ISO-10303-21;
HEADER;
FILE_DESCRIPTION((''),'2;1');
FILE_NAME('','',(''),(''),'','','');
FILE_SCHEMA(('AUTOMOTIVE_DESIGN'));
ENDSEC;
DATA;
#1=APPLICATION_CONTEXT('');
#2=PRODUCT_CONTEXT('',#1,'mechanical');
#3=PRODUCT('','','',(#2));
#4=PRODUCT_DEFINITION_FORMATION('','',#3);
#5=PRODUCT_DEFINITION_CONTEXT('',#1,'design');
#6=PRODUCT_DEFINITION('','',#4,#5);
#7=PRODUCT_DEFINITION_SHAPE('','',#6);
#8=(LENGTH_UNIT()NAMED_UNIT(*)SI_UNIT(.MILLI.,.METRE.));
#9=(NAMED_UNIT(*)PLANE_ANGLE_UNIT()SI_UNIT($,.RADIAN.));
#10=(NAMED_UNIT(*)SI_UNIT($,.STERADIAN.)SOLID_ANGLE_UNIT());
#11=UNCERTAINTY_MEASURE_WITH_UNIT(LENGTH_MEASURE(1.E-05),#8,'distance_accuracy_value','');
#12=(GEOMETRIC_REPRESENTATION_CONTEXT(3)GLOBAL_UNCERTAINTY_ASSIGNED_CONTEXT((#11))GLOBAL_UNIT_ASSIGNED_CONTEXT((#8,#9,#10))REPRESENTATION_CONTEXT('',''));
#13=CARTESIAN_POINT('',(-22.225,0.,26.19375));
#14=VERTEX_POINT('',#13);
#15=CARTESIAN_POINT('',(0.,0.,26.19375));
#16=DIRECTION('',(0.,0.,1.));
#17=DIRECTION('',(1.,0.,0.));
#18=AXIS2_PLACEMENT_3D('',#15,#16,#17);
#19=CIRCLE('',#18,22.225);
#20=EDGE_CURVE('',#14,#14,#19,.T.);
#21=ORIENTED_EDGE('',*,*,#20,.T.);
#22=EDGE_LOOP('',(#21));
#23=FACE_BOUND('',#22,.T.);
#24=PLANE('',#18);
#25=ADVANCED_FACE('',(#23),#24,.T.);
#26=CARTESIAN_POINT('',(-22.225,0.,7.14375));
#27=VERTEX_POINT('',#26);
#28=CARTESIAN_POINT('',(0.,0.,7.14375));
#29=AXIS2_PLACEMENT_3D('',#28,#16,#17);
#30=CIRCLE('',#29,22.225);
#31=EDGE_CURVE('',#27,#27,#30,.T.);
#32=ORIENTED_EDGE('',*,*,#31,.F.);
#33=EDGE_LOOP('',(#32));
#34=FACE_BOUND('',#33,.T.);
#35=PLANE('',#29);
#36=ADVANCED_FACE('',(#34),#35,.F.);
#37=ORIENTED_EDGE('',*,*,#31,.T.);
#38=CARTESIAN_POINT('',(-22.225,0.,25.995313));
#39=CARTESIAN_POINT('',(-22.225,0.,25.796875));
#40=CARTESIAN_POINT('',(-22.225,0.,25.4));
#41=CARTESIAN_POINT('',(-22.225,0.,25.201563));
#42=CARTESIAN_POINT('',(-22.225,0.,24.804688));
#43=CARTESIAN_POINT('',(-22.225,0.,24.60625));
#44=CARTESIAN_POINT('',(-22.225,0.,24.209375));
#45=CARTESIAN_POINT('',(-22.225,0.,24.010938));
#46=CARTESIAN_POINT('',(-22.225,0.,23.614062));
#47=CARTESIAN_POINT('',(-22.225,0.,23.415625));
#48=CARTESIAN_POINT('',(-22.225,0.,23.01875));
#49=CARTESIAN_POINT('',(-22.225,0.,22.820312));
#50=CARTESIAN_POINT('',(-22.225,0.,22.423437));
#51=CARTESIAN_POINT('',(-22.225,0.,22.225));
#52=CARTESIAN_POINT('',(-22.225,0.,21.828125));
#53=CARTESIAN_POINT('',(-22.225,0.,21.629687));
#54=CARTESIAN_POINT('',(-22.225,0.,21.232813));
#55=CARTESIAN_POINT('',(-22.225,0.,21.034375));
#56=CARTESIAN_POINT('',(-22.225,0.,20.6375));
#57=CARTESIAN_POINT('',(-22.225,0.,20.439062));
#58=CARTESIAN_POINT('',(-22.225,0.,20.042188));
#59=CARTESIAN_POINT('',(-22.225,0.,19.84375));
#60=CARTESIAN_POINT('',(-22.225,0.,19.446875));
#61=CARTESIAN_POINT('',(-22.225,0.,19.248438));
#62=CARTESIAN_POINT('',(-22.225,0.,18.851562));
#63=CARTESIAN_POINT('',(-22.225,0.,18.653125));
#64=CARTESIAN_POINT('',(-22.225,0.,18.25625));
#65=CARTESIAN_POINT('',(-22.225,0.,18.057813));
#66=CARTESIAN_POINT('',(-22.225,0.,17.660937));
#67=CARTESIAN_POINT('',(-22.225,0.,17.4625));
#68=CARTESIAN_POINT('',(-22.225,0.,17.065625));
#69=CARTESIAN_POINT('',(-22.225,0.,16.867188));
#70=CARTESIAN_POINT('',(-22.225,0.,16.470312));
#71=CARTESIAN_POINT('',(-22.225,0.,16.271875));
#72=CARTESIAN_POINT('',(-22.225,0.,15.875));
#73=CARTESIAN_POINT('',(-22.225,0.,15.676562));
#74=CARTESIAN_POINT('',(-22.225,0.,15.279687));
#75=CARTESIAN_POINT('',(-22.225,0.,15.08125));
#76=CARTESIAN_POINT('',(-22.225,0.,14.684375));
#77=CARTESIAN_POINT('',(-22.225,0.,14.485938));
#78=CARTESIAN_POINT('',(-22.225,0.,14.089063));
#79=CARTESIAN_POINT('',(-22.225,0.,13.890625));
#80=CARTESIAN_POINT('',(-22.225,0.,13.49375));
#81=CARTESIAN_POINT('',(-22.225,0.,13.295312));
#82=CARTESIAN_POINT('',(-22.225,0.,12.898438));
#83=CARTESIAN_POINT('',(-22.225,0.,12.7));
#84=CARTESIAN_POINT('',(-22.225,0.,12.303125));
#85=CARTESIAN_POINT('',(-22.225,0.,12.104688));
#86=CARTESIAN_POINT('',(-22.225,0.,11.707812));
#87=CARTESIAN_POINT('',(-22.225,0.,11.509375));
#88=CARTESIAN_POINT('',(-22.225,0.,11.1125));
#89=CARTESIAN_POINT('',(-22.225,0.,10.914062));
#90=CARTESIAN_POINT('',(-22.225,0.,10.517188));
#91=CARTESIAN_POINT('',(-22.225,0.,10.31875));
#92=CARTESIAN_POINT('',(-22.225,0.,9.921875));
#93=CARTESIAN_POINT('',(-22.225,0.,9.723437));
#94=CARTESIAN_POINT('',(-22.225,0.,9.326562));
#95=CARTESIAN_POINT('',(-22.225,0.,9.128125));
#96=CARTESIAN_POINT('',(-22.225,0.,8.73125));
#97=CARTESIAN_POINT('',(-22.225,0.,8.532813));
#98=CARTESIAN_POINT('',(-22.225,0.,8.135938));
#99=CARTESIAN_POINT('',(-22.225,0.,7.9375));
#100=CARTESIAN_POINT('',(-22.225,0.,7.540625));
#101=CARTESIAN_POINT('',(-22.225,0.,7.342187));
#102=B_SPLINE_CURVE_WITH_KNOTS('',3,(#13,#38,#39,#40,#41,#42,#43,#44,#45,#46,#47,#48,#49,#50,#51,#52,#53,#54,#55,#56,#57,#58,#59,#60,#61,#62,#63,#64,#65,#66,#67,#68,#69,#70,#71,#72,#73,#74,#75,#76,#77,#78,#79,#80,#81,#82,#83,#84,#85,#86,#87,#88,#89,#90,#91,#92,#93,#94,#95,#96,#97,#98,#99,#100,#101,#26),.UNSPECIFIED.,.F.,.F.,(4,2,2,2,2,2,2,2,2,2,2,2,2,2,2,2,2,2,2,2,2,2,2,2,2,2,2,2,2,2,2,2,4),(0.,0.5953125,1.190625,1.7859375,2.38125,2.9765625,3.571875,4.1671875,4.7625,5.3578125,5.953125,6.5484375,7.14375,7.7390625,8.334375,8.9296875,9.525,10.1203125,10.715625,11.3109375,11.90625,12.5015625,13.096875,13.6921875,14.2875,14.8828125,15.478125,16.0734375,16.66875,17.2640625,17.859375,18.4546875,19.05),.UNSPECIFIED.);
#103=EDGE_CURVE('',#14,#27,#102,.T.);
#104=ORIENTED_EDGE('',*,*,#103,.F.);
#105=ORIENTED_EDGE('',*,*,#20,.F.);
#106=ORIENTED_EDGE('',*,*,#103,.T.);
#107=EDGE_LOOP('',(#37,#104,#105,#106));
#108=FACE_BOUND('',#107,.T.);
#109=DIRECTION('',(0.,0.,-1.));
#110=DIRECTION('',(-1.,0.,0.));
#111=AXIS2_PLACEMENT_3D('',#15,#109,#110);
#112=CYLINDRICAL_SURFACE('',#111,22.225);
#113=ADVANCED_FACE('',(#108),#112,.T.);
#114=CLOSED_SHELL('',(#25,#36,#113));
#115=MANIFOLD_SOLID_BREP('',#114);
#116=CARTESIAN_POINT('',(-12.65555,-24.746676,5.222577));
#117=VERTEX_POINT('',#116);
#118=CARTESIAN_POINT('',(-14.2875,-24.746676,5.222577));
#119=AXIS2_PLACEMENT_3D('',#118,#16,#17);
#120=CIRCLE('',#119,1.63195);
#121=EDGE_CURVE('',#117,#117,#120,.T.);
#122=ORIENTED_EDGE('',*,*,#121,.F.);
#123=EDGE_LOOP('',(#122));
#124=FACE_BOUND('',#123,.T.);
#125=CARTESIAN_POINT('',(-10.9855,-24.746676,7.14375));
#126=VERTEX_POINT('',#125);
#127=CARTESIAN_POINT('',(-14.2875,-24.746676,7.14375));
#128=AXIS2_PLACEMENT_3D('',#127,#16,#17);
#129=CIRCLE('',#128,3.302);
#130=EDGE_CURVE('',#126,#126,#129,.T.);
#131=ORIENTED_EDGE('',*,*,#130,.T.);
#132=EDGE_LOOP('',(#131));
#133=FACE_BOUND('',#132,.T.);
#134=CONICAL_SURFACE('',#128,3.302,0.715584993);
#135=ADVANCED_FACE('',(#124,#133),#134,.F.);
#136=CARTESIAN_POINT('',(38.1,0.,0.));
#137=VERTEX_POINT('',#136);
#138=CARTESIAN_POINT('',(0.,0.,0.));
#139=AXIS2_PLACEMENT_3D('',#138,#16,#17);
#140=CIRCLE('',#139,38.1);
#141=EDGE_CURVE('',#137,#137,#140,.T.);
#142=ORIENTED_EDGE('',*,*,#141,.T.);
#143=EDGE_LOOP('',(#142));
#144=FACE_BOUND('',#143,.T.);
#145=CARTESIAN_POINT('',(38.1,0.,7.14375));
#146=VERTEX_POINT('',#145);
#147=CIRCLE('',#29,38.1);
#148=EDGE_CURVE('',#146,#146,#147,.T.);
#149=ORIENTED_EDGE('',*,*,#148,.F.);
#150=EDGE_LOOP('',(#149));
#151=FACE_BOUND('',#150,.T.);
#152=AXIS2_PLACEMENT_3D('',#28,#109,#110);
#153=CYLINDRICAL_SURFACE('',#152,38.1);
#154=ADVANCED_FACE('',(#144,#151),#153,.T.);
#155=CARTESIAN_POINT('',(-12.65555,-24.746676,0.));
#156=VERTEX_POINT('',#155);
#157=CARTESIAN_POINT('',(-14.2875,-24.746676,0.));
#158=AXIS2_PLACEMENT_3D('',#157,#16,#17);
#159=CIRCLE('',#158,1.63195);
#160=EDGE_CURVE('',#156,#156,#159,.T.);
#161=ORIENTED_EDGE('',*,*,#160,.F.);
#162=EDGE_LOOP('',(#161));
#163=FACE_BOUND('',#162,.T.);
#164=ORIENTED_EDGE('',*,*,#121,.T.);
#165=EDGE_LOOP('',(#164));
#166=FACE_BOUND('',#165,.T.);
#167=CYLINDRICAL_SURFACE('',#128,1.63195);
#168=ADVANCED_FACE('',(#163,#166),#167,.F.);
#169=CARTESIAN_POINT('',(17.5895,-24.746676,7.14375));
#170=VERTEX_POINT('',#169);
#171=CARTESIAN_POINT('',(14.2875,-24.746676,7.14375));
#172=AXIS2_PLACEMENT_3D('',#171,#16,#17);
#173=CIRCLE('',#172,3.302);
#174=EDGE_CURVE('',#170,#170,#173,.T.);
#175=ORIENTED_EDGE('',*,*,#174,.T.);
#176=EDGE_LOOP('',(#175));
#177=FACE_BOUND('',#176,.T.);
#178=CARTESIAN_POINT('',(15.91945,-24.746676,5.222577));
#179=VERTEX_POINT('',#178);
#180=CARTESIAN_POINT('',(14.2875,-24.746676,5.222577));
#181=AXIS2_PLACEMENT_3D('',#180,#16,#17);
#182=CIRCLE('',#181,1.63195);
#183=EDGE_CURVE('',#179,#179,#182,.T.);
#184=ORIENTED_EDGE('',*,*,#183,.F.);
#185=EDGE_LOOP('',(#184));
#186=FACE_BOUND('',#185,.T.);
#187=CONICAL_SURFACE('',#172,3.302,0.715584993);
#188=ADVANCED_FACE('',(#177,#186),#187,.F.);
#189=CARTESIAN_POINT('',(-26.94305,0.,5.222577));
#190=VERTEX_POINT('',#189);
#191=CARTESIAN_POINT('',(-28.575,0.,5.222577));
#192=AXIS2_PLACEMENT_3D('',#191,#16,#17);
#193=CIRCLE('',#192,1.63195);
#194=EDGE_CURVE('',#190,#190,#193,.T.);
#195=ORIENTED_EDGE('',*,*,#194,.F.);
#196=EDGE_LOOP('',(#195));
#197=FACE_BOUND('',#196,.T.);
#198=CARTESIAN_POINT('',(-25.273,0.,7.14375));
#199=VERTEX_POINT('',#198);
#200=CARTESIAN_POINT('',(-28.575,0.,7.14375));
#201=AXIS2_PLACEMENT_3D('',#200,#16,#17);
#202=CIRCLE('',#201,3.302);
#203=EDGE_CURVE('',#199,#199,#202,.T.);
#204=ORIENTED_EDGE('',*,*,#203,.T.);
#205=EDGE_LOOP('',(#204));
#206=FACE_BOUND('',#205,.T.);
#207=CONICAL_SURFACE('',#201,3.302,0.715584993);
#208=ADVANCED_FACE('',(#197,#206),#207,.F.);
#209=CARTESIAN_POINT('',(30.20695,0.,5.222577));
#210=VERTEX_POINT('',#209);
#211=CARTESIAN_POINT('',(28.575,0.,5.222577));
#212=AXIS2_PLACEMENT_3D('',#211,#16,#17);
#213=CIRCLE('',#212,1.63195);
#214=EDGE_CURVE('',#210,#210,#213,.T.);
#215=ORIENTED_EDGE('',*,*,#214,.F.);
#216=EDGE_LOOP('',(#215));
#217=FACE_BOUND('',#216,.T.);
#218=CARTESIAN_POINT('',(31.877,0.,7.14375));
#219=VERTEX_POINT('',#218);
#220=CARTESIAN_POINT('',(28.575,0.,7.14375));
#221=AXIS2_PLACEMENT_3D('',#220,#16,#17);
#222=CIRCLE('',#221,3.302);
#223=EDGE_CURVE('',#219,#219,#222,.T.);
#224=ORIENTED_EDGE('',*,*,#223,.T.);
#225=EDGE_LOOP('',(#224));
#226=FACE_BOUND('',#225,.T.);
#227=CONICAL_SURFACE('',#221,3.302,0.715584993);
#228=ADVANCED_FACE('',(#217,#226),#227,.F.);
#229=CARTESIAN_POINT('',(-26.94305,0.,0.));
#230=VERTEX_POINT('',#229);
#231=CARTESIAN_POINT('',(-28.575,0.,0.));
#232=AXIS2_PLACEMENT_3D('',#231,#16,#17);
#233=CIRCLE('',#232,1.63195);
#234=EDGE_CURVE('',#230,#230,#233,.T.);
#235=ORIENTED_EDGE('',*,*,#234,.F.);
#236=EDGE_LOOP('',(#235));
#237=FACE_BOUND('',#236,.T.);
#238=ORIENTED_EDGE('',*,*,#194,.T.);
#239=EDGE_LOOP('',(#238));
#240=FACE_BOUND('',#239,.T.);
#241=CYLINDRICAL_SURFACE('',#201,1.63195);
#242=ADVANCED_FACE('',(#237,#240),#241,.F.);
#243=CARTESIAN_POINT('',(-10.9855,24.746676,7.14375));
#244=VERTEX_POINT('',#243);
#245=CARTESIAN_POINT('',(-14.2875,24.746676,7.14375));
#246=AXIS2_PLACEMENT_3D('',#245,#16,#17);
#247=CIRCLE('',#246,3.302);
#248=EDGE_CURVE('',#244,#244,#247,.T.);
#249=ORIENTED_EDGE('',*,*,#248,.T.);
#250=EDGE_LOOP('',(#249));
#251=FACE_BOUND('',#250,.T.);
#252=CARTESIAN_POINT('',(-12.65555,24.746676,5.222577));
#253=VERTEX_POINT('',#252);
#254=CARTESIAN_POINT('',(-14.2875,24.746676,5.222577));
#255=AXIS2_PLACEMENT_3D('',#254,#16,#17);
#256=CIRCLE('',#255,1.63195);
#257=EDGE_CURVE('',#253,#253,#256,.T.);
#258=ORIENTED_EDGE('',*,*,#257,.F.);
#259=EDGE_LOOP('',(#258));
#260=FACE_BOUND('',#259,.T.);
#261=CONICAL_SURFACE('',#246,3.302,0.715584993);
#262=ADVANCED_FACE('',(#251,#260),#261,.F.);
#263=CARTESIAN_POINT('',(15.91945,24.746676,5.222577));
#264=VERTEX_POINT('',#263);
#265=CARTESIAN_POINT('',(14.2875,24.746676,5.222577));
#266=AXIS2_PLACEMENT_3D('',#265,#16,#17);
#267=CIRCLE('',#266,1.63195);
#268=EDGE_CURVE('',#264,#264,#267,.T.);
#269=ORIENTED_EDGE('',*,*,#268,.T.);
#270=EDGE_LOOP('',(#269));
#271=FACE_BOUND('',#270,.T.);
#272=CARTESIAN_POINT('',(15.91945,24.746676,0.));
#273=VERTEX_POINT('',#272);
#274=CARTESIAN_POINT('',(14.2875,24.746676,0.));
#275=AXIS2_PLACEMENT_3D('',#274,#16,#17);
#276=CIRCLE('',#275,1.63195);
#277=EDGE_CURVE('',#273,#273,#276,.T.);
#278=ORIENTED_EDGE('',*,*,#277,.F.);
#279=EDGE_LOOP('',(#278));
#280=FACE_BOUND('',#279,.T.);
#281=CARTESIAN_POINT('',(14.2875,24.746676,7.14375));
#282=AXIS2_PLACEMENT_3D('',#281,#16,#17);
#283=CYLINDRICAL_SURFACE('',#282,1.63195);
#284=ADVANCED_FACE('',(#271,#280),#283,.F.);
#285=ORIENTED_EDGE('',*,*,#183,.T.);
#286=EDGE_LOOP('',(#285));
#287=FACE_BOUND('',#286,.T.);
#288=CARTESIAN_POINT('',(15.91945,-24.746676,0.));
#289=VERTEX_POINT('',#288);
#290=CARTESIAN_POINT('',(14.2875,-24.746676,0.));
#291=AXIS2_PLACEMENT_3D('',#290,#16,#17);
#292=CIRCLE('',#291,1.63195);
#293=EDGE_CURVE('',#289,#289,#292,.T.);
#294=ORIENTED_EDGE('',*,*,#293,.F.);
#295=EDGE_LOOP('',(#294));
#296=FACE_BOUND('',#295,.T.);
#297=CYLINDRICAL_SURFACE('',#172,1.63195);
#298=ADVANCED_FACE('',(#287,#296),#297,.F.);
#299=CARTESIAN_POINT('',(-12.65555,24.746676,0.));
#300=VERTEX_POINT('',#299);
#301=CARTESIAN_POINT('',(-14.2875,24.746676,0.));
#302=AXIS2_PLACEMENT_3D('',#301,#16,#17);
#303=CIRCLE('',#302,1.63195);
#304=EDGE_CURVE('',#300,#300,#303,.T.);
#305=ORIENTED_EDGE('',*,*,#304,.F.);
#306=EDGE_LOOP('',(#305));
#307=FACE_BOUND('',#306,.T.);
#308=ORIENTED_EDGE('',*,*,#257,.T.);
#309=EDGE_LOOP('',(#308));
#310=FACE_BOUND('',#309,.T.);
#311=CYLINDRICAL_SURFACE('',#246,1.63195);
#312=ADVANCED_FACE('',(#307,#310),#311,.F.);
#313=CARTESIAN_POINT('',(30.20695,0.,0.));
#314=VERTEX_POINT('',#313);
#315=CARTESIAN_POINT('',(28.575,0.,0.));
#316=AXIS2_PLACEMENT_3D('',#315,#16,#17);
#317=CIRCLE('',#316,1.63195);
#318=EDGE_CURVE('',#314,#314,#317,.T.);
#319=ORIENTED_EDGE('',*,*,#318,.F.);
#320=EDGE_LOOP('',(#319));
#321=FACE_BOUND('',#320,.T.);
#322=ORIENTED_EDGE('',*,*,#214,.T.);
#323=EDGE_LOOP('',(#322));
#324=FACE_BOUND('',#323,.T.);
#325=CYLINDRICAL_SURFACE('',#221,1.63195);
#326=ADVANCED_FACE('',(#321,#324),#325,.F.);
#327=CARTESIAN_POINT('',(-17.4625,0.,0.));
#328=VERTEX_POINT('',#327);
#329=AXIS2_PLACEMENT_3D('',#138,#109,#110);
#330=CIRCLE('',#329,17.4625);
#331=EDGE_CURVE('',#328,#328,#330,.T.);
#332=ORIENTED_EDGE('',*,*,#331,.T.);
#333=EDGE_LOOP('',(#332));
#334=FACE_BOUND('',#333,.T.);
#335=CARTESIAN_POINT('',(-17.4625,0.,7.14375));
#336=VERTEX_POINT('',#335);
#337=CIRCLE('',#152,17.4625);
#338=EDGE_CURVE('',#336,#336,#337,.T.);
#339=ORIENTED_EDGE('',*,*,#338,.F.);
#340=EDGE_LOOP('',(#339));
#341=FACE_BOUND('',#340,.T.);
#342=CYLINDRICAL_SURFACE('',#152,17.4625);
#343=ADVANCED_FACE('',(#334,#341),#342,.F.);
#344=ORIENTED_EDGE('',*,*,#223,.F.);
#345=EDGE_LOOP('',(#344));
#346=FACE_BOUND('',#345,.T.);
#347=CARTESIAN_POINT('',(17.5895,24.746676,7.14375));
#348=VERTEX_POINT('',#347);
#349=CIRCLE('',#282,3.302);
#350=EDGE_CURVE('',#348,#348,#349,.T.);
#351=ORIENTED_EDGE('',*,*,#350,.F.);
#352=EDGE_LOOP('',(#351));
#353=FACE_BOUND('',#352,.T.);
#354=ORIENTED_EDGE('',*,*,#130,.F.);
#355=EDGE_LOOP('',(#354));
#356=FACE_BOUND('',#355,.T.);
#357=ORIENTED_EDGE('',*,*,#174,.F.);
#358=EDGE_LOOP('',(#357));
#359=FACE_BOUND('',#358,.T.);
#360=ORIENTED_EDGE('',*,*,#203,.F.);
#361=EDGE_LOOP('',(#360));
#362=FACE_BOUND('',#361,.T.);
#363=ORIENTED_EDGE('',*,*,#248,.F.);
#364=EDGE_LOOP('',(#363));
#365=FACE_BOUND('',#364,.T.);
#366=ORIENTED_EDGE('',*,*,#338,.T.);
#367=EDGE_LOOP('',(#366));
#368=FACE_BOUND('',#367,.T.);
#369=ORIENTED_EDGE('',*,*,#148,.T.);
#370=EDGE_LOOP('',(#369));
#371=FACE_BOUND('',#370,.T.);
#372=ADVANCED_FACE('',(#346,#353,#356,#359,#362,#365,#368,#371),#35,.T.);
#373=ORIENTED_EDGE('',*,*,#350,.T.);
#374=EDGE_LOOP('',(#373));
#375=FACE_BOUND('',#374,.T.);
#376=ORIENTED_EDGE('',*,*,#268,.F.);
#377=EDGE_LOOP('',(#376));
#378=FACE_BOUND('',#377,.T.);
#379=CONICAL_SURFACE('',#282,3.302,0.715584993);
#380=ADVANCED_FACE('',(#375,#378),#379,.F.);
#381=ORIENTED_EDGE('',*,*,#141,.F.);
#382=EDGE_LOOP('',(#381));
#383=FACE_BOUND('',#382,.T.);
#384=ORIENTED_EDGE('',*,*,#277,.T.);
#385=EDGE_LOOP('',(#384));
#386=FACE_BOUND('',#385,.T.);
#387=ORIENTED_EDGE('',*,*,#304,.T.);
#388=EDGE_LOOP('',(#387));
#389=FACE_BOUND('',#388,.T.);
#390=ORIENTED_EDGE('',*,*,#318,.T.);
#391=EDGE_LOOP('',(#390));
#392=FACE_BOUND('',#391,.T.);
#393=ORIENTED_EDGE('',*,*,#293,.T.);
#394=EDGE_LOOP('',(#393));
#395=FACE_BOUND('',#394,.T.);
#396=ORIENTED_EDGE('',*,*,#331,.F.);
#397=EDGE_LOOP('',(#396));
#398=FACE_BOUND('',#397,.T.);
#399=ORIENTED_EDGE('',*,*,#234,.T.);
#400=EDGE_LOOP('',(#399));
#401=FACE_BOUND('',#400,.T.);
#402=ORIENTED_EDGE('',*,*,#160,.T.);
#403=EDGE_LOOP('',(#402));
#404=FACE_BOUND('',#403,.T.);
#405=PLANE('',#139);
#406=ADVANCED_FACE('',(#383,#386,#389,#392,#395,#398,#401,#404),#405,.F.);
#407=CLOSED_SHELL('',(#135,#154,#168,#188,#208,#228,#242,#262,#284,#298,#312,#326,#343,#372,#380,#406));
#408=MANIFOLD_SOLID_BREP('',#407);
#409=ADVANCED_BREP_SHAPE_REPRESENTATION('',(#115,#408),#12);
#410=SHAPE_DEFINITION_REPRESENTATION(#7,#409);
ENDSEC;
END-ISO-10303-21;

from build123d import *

# Parameters (mm, degrees)
SKETCH1_R                                     = 38.1
BOSS_EXTRUDE1_DEPTH                           = 7.14375
SKETCH3_R                                     = 22.225
BOSS_EXTRUDE2_DEPTH                           = 19.05
CSK_FOR_4_FLAT_HEAD_MACHINE_SCREW1_AT_2_COUNT = 2
CSK_FOR_4_FLAT_HEAD_MACHINE_SCREW1_AT_2_PITCH = 28.575
CSK_FOR_4_FLAT_HEAD_MACHINE_SCREW1_AT_3_COUNT = 2
CSK_FOR_4_FLAT_HEAD_MACHINE_SCREW1_AT_3_PITCH = 49.493351826
CSK_FOR_4_FLAT_HEAD_MACHINE_SCREW1_AT_4_COUNT = 2
CSK_FOR_4_FLAT_HEAD_MACHINE_SCREW1_AT_4_PITCH = 57.15
CSK_FOR_4_FLAT_HEAD_MACHINE_SCREW1_AT_5_COUNT = 2
CSK_FOR_4_FLAT_HEAD_MACHINE_SCREW1_AT_5_PITCH = 49.493351826
CSK_FOR_4_FLAT_HEAD_MACHINE_SCREW1_AT_6_COUNT = 2
CSK_FOR_4_FLAT_HEAD_MACHINE_SCREW1_AT_6_PITCH = 28.575
SKETCH11_R                                    = 17.4625
CUT_EXTRUDE1_DEPTH                            = 7.14375


with BuildPart() as part:
    # Sketch1 → Boss-Extrude1 (new body)
    with BuildSketch(Plane.XY):
        Circle(SKETCH1_R)
    extrude(amount=BOSS_EXTRUDE1_DEPTH)

    # Sketch9 → CSK for #4 Flat Head Machine Screw1 (revolve, cut)
    with BuildSketch(Plane(origin=(-28.575, 0, 7.14375), x_dir=(0, -1, 0), z_dir=(1, 0, 0))):
        Polygon((0, 0), (0, 7.14375), (1.63195, 7.14375), (1.63195, 1.921172758), (3.302, 0), align=None)
    csk_for_4_flat_head_machine_screw1 = revolve(axis=Axis((-28.575, 0, 13.49375), (0, 0, -1)), mode=Mode.SUBTRACT)

    # CSK for #4 Flat Head Machine Screw1 at 2: CSK for #4 Flat Head Machine Screw1 ×2
    with Locations(*[Vector(0.4999999999999949, 0.8660254037844416, 0) * (i * CSK_FOR_4_FLAT_HEAD_MACHINE_SCREW1_AT_2_PITCH) for i in range(1, CSK_FOR_4_FLAT_HEAD_MACHINE_SCREW1_AT_2_COUNT)]):
        add(csk_for_4_flat_head_machine_screw1, mode=Mode.SUBTRACT)

    # CSK for #4 Flat Head Machine Screw1 at 3: CSK for #4 Flat Head Machine Screw1 ×2
    with Locations(*[Vector(0.8660254037844363, 0.5000000000000041, 0) * (i * CSK_FOR_4_FLAT_HEAD_MACHINE_SCREW1_AT_3_PITCH) for i in range(1, CSK_FOR_4_FLAT_HEAD_MACHINE_SCREW1_AT_3_COUNT)]):
        add(csk_for_4_flat_head_machine_screw1, mode=Mode.SUBTRACT)

    # CSK for #4 Flat Head Machine Screw1 at 4: CSK for #4 Flat Head Machine Screw1 ×2
    with Locations(*[(i * CSK_FOR_4_FLAT_HEAD_MACHINE_SCREW1_AT_4_PITCH, 0, 0) for i in range(1, CSK_FOR_4_FLAT_HEAD_MACHINE_SCREW1_AT_4_COUNT)]):
        add(csk_for_4_flat_head_machine_screw1, mode=Mode.SUBTRACT)

    # CSK for #4 Flat Head Machine Screw1 at 5: CSK for #4 Flat Head Machine Screw1 ×2
    with Locations(*[Vector(0.8660254037844434, -0.49999999999999195, 0) * (i * CSK_FOR_4_FLAT_HEAD_MACHINE_SCREW1_AT_5_PITCH) for i in range(1, CSK_FOR_4_FLAT_HEAD_MACHINE_SCREW1_AT_5_COUNT)]):
        add(csk_for_4_flat_head_machine_screw1, mode=Mode.SUBTRACT)

    # CSK for #4 Flat Head Machine Screw1 at 6: CSK for #4 Flat Head Machine Screw1 ×2
    with Locations(*[Vector(0.5000000000000072, -0.8660254037844345, 0) * (i * CSK_FOR_4_FLAT_HEAD_MACHINE_SCREW1_AT_6_PITCH) for i in range(1, CSK_FOR_4_FLAT_HEAD_MACHINE_SCREW1_AT_6_COUNT)]):
        add(csk_for_4_flat_head_machine_screw1, mode=Mode.SUBTRACT)

    # Sketch11 → Cut-Extrude1 (cut)
    with BuildSketch(Plane(origin=(0, 0, 0), x_dir=(-1, 0, 0), z_dir=(0, 0, -1))):
        Circle(SKETCH11_R)
    extrude(amount=-CUT_EXTRUDE1_DEPTH, mode=Mode.SUBTRACT)


with BuildPart() as body_2:
    # Sketch3 → Boss-Extrude2 (new body)
    with BuildSketch(Plane.XY.offset(7.14375)):
        with Locations(Location((0, 0, 0), (0, 0, 180))):
            Circle(SKETCH3_R)
    extrude(amount=BOSS_EXTRUDE2_DEPTH)


solid = Compound([part.part, body_2.part])
